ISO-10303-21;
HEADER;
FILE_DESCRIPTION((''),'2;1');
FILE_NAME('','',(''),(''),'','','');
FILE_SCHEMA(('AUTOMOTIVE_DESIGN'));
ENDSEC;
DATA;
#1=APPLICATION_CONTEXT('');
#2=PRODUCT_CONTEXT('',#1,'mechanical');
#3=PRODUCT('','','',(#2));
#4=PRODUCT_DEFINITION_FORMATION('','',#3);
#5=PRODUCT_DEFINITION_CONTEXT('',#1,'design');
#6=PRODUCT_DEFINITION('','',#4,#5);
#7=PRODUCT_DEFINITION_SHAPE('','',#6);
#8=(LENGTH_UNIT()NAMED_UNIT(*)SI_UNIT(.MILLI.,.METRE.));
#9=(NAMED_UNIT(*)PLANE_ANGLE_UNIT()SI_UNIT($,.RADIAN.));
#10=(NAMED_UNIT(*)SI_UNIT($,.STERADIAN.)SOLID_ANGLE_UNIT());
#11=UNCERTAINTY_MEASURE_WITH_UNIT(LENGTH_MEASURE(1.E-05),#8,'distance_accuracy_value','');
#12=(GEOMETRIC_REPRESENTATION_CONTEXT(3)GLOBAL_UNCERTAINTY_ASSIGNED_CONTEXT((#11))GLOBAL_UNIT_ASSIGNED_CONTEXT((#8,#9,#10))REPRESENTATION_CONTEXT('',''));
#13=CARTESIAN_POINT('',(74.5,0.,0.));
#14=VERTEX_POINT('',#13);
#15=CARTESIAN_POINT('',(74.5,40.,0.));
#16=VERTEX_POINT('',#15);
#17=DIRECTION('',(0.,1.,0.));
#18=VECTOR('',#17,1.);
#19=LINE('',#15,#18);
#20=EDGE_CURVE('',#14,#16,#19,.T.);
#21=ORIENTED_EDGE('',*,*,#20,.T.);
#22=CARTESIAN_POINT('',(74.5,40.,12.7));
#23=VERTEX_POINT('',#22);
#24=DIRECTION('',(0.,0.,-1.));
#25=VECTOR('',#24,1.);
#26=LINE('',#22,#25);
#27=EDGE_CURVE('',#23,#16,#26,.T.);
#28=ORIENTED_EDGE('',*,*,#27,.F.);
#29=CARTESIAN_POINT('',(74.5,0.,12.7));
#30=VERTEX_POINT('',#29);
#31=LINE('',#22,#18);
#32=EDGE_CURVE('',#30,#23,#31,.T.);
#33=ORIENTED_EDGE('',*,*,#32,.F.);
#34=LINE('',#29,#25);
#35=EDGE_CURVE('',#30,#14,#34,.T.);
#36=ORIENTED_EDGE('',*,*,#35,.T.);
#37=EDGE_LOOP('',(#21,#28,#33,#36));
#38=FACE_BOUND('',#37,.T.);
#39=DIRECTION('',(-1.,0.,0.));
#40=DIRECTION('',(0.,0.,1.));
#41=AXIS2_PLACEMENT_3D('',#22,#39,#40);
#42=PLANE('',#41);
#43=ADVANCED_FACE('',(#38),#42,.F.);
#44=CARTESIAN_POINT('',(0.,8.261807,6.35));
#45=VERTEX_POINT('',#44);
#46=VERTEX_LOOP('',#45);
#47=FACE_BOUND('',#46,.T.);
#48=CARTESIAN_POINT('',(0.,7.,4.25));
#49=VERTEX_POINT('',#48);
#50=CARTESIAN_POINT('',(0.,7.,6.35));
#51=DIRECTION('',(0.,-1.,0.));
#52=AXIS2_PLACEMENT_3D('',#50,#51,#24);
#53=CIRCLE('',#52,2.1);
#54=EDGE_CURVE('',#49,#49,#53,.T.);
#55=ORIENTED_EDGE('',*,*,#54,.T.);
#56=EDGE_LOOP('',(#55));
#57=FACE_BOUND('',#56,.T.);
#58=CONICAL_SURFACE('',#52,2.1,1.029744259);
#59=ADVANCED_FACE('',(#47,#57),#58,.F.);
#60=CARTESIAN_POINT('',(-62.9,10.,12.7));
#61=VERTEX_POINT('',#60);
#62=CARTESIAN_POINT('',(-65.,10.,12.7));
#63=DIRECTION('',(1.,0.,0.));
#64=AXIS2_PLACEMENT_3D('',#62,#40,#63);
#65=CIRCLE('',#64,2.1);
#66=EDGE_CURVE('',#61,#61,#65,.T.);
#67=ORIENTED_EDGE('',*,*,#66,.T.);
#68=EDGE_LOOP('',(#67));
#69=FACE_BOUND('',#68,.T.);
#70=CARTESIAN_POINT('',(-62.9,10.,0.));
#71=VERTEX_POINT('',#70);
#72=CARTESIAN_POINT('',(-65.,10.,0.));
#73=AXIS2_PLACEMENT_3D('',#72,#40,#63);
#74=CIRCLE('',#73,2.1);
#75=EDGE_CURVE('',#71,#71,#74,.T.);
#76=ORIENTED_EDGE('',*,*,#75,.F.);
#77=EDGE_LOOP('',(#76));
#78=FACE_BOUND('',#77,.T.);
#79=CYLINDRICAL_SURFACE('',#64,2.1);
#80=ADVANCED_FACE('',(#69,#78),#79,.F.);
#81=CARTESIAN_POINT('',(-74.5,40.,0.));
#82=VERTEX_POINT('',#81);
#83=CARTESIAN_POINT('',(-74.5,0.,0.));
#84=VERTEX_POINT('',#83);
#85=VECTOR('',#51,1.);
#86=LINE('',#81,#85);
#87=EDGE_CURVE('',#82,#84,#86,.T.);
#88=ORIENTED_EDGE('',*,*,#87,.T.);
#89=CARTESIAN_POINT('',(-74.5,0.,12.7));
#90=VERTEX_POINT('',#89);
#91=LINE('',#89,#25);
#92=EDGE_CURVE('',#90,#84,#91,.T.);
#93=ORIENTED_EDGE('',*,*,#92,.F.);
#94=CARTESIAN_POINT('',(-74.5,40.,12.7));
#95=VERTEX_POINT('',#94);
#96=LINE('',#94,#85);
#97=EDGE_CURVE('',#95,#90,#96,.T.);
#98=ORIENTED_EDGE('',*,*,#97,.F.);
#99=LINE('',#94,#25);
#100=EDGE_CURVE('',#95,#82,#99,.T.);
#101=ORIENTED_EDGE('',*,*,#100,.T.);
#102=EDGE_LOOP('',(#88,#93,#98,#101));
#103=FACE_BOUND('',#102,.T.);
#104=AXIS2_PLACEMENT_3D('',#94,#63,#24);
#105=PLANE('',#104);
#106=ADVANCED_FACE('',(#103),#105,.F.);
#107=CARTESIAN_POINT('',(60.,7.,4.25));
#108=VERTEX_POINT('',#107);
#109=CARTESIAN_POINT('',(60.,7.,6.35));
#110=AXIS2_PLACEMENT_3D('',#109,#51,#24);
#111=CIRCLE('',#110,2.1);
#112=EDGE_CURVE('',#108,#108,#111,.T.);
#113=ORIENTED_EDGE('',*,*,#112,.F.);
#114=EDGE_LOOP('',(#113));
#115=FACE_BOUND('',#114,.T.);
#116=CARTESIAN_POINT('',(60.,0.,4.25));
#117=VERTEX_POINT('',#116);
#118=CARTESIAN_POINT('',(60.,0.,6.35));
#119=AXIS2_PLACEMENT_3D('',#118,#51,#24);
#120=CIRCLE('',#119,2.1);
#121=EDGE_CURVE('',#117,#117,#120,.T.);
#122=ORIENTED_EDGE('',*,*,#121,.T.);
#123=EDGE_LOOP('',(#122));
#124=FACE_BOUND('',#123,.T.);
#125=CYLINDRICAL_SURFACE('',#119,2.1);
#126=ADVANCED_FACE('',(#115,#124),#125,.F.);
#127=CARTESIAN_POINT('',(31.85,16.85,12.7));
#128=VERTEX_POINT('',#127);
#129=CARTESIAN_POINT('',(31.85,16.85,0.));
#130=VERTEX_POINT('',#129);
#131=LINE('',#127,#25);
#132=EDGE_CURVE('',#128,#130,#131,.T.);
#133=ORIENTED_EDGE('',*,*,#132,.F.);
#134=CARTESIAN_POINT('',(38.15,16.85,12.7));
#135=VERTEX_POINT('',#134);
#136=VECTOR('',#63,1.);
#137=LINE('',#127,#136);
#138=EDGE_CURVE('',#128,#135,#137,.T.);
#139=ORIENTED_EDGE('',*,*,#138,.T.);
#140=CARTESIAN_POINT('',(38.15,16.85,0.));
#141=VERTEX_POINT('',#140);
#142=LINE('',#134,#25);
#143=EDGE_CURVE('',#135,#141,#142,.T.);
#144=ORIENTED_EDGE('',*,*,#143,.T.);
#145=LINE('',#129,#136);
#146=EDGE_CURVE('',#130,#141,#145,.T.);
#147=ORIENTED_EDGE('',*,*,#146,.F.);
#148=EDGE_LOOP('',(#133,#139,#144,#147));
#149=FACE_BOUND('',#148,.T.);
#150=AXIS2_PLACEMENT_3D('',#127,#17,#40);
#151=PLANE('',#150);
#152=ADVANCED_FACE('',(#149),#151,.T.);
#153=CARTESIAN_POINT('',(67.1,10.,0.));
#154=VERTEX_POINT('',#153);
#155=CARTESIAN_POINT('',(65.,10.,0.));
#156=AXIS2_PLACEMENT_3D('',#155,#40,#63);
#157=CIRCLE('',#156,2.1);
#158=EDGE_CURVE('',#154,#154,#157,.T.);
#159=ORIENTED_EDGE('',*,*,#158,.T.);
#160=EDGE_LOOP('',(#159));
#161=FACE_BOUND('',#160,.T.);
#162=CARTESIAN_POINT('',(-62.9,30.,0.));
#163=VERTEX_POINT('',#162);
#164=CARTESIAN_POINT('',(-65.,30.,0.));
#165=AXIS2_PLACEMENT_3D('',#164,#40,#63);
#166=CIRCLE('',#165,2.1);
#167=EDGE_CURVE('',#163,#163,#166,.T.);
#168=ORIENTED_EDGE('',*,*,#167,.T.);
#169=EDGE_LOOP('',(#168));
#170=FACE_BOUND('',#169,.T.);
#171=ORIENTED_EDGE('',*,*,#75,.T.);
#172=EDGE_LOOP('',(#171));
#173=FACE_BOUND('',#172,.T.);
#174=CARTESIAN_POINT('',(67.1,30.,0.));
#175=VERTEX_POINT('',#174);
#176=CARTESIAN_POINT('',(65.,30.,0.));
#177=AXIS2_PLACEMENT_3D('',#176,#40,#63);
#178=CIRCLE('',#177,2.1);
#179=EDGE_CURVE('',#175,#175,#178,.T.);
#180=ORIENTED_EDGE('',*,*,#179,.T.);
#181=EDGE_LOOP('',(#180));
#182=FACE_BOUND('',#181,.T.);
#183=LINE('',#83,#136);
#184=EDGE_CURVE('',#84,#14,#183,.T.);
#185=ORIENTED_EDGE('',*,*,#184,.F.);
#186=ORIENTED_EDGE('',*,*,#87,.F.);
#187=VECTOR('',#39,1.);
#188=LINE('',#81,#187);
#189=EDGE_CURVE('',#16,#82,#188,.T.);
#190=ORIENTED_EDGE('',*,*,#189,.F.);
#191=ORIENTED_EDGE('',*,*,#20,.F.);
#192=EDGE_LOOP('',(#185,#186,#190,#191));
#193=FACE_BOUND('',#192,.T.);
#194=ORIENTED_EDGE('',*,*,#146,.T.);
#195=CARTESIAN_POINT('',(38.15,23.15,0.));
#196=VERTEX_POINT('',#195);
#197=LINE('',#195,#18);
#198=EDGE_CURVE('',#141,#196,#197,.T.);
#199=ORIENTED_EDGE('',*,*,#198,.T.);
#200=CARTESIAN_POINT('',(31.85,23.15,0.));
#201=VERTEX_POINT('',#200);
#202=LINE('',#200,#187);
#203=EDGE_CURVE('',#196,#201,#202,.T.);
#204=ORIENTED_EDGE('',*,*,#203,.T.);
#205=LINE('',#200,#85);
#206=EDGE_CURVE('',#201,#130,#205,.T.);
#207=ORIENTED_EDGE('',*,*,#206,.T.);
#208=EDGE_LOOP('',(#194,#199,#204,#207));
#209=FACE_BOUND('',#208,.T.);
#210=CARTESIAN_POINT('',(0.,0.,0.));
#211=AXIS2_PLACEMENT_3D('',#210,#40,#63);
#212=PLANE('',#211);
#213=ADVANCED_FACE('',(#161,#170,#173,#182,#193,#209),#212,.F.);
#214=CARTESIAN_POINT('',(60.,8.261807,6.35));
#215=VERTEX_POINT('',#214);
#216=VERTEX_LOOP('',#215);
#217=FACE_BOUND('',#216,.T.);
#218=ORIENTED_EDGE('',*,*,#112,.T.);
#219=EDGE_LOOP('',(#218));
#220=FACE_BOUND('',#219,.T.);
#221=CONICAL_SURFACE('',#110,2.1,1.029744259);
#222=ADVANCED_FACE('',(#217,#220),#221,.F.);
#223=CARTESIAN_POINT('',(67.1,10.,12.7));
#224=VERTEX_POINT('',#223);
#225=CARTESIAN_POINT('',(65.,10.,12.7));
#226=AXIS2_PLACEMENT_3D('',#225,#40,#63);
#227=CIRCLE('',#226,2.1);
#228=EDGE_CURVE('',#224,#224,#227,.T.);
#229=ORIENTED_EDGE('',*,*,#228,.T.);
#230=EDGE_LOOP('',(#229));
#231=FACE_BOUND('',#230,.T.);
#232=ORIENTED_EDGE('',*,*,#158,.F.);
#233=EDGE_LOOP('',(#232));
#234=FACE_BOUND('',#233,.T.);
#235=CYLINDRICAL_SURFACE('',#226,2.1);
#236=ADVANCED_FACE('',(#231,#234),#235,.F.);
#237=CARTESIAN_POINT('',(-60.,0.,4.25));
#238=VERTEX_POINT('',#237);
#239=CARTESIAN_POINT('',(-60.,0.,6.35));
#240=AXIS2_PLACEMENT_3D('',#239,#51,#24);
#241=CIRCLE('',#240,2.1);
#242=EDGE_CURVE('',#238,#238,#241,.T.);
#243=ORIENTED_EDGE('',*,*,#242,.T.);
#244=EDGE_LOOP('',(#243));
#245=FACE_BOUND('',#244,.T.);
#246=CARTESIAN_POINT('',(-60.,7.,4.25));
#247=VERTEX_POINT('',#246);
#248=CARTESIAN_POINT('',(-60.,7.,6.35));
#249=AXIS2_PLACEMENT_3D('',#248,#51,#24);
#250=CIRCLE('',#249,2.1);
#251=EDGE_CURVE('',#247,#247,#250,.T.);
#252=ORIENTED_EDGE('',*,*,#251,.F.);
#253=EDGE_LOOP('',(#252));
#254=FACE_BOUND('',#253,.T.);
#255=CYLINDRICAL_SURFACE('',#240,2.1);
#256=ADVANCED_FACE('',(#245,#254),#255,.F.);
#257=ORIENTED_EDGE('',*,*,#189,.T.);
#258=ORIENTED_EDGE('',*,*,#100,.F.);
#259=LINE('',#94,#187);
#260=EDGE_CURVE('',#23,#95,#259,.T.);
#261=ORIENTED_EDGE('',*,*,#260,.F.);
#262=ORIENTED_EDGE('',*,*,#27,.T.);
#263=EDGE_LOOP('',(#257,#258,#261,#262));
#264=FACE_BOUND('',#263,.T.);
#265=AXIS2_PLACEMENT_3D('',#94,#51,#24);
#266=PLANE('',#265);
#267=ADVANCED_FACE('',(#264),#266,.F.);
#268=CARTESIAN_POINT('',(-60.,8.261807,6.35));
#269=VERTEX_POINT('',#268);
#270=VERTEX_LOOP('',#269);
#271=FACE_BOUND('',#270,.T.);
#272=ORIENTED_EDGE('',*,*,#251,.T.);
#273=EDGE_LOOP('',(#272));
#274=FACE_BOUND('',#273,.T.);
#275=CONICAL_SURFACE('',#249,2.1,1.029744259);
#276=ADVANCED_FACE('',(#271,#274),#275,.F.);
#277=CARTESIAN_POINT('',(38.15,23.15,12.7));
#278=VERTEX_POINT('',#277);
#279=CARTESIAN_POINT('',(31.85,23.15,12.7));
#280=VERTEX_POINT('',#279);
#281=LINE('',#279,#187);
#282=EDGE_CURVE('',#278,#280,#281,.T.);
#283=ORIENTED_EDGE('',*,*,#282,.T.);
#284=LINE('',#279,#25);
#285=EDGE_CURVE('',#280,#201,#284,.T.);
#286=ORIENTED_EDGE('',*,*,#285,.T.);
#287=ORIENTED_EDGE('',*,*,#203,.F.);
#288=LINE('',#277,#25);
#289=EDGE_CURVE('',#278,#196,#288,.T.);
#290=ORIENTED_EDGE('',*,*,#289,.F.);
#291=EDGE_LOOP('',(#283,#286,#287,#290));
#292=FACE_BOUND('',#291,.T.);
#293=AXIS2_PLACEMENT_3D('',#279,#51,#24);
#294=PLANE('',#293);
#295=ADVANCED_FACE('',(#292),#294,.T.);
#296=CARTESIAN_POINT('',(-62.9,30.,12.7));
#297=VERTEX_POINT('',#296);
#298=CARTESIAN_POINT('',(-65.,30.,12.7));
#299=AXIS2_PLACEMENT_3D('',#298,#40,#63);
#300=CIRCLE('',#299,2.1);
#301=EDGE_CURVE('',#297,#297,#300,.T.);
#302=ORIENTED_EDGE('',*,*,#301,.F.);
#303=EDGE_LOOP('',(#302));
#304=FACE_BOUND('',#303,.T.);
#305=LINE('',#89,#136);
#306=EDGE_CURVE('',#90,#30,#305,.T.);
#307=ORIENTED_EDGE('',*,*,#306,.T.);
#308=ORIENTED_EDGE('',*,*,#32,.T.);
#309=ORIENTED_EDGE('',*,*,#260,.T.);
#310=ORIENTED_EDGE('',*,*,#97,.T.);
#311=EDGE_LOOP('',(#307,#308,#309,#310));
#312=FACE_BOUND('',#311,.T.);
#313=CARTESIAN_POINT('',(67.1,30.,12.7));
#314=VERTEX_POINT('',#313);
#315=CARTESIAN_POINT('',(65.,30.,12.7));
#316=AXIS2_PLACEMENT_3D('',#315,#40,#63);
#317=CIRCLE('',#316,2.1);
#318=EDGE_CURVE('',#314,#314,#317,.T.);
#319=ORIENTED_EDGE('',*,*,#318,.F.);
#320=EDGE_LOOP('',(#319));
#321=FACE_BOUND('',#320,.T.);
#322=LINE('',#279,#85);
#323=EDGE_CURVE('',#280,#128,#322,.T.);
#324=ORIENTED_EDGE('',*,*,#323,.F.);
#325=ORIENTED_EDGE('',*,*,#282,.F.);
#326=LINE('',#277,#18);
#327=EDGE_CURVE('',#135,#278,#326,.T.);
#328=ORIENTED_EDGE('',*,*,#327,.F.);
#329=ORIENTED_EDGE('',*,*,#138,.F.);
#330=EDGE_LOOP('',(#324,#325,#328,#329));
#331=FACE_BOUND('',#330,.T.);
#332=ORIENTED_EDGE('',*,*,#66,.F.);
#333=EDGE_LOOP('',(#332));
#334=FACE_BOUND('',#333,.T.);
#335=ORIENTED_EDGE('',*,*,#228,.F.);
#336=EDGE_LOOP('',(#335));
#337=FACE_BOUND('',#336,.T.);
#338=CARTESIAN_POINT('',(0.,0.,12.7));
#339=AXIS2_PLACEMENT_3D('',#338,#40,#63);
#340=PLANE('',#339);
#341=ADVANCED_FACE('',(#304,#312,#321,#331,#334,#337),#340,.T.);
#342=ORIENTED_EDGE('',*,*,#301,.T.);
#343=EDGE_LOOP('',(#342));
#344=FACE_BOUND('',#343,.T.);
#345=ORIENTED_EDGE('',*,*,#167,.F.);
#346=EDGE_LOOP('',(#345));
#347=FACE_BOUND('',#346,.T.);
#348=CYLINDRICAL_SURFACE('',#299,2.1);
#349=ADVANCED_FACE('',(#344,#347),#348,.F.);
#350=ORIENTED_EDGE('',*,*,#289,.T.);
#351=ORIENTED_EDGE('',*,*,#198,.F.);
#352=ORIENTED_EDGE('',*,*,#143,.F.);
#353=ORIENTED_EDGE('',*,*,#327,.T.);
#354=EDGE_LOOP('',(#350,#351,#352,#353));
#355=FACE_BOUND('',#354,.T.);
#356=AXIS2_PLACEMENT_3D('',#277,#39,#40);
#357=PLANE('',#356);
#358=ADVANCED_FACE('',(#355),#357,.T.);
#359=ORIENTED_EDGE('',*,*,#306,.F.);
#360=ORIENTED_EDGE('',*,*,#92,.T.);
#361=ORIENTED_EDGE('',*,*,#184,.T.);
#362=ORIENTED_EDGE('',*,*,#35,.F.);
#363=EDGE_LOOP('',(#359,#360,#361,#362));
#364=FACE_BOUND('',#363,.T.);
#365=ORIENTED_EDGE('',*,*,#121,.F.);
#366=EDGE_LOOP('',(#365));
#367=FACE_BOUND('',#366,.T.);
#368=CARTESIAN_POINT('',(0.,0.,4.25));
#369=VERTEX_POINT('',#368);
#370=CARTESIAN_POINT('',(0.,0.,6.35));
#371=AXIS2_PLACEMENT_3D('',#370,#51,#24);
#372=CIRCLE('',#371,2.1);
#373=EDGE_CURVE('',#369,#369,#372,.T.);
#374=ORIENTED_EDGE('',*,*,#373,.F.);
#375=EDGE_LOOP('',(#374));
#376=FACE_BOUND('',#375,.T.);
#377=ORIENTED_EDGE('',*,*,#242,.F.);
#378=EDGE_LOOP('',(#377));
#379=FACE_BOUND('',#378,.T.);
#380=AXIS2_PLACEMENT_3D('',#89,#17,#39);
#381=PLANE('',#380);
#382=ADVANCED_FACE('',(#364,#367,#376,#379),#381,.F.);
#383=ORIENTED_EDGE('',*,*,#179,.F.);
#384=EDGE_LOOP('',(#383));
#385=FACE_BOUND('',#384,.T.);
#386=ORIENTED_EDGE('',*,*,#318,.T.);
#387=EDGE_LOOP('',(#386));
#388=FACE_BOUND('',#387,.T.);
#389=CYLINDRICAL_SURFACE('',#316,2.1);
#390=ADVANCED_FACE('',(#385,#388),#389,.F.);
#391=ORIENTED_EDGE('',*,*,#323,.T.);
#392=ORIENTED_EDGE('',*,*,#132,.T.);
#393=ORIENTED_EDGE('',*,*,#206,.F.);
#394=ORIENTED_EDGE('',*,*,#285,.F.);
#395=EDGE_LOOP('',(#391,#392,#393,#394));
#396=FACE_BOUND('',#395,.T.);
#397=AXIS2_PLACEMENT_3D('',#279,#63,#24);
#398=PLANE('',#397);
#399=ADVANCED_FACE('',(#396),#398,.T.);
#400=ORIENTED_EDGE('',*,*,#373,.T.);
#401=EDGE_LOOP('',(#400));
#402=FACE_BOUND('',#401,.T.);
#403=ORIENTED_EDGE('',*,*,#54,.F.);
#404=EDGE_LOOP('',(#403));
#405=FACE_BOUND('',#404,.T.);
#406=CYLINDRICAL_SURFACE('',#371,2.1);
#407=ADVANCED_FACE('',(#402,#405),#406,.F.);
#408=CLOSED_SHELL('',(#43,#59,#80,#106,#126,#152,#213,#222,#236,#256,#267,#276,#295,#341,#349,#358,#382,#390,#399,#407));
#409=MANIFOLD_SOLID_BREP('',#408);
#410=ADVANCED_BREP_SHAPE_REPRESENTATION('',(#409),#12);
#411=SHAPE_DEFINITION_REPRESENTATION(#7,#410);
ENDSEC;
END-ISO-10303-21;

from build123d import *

# Parameters (mm, degrees)
SKETCH1_W                       = 149
SKETCH1_H                       = 40
SKETCH1_W_2                     = 6.3
SKETCH1_H_2                     = 6.3
BOSS_EXTRUDE1_DEPTH             = 12.7
TAP_DRILL_FOR_M5X0_8_TAP2_D     = 4.2
TAP_DRILL_FOR_M5X0_8_TAP2_DEPTH = 7
TAP_DRILL_FOR_M5X0_8_TAP2_TIP   = 1.2618073
TAP_DRILL_FOR_M5X0_8_TAP3_D     = 4.2


with BuildPart() as part:
    # Sketch1 → Boss-Extrude1 (new body)
    with BuildSketch(Plane.XY):
        with Locations((0, 20)):
            Rectangle(SKETCH1_W, SKETCH1_H)
        with Locations((35, 20)):
            Rectangle(SKETCH1_W_2, SKETCH1_H_2, mode=Mode.SUBTRACT)
    extrude(amount=BOSS_EXTRUDE1_DEPTH)

    # Tap Drill for M5x0.8 Tap2
    with Locations(Plane(origin=(-60, 0, 6.35), x_dir=(-1, 0, 0), z_dir=(0, -1, 0))):
        with Locations((0, 0), (-60, 0), (-120, 0)):
            Hole(TAP_DRILL_FOR_M5X0_8_TAP2_D / 2, depth=TAP_DRILL_FOR_M5X0_8_TAP2_DEPTH)
            with Locations((0, 0, -(TAP_DRILL_FOR_M5X0_8_TAP2_DEPTH + TAP_DRILL_FOR_M5X0_8_TAP2_TIP / 2))):  # 118° drill point
                Cone(0, TAP_DRILL_FOR_M5X0_8_TAP2_D / 2, TAP_DRILL_FOR_M5X0_8_TAP2_TIP, mode=Mode.SUBTRACT)

    # Tap Drill for M5x0.8 Tap3 (through all)
    with Locations(Plane.XY.offset(12.7)):
        with Locations((-65, 30), (-65, 10), (65, 10), (65, 30)):
            Hole(TAP_DRILL_FOR_M5X0_8_TAP3_D / 2)


solid = part.part
